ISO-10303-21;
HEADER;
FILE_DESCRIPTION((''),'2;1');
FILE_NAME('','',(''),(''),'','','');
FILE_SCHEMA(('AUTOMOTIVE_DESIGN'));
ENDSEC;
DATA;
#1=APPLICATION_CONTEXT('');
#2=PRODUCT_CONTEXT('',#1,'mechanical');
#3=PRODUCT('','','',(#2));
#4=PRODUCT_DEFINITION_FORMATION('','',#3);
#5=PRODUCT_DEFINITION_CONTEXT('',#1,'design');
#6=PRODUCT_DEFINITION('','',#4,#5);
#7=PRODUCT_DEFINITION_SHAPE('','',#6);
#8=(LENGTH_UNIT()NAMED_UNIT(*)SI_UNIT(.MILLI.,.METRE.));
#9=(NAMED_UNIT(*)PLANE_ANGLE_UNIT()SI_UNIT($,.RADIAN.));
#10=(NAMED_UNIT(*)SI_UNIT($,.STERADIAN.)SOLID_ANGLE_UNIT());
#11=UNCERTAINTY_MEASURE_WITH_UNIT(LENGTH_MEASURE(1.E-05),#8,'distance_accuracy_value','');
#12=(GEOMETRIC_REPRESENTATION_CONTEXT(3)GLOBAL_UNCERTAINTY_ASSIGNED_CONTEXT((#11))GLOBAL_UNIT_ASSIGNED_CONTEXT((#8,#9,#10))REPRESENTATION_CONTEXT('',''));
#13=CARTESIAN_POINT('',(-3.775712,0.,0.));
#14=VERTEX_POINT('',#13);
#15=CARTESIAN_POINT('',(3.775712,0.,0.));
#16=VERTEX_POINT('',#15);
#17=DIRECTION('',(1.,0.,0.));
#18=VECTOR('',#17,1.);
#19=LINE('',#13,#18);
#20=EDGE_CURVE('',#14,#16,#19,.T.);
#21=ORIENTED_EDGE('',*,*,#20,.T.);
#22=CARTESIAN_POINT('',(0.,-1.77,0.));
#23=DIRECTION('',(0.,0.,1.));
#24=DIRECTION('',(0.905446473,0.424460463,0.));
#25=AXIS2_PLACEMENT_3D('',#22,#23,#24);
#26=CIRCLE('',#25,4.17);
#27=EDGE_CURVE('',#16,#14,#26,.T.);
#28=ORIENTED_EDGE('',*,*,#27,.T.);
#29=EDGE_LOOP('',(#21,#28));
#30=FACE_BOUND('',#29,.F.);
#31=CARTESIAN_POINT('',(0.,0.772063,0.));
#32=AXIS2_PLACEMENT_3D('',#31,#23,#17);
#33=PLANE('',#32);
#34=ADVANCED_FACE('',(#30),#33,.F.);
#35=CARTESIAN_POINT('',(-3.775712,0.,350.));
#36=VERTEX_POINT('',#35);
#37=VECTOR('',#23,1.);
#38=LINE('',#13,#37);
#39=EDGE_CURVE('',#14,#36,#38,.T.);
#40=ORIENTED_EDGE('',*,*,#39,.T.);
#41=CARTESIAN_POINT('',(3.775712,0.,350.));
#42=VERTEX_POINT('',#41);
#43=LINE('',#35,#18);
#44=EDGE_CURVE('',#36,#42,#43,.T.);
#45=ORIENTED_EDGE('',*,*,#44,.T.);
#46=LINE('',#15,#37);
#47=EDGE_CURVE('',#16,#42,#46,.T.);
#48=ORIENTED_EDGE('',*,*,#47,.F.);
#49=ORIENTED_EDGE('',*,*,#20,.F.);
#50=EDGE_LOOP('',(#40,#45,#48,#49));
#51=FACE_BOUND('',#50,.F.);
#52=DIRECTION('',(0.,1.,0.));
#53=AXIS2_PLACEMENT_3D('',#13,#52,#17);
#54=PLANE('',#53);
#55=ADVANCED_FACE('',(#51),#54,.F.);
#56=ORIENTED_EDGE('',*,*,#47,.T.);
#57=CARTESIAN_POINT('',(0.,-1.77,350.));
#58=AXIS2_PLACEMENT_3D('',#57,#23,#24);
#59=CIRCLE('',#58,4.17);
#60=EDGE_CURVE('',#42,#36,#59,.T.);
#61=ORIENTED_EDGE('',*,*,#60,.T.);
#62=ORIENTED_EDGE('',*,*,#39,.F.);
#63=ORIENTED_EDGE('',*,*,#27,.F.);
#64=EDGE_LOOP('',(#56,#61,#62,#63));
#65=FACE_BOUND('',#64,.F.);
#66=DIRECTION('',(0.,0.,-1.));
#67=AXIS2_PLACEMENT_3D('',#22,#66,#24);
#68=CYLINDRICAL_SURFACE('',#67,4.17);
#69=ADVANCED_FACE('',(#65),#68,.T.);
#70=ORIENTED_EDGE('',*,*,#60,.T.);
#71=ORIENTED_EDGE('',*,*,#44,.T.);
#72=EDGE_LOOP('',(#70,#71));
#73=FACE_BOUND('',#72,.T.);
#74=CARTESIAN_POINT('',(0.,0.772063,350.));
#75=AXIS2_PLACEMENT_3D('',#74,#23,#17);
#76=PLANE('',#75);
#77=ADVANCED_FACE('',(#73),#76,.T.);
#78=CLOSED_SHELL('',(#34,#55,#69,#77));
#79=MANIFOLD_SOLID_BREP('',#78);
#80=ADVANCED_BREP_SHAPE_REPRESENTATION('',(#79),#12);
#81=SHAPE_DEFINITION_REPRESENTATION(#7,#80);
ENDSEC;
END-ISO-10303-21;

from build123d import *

# Parameters (mm, degrees)
PAD_DEPTH = 350


with BuildPart() as part:
    # Sketch → Pad (new body)
    with BuildSketch(Plane.XY):
        with BuildLine():
            ThreePointArc((3.775712, 0), (0, 2.4), (-3.775712, 0))
            Line((-3.775712, 0), (3.775712, 0))
        make_face()
    extrude(amount=PAD_DEPTH)


solid = part.part
